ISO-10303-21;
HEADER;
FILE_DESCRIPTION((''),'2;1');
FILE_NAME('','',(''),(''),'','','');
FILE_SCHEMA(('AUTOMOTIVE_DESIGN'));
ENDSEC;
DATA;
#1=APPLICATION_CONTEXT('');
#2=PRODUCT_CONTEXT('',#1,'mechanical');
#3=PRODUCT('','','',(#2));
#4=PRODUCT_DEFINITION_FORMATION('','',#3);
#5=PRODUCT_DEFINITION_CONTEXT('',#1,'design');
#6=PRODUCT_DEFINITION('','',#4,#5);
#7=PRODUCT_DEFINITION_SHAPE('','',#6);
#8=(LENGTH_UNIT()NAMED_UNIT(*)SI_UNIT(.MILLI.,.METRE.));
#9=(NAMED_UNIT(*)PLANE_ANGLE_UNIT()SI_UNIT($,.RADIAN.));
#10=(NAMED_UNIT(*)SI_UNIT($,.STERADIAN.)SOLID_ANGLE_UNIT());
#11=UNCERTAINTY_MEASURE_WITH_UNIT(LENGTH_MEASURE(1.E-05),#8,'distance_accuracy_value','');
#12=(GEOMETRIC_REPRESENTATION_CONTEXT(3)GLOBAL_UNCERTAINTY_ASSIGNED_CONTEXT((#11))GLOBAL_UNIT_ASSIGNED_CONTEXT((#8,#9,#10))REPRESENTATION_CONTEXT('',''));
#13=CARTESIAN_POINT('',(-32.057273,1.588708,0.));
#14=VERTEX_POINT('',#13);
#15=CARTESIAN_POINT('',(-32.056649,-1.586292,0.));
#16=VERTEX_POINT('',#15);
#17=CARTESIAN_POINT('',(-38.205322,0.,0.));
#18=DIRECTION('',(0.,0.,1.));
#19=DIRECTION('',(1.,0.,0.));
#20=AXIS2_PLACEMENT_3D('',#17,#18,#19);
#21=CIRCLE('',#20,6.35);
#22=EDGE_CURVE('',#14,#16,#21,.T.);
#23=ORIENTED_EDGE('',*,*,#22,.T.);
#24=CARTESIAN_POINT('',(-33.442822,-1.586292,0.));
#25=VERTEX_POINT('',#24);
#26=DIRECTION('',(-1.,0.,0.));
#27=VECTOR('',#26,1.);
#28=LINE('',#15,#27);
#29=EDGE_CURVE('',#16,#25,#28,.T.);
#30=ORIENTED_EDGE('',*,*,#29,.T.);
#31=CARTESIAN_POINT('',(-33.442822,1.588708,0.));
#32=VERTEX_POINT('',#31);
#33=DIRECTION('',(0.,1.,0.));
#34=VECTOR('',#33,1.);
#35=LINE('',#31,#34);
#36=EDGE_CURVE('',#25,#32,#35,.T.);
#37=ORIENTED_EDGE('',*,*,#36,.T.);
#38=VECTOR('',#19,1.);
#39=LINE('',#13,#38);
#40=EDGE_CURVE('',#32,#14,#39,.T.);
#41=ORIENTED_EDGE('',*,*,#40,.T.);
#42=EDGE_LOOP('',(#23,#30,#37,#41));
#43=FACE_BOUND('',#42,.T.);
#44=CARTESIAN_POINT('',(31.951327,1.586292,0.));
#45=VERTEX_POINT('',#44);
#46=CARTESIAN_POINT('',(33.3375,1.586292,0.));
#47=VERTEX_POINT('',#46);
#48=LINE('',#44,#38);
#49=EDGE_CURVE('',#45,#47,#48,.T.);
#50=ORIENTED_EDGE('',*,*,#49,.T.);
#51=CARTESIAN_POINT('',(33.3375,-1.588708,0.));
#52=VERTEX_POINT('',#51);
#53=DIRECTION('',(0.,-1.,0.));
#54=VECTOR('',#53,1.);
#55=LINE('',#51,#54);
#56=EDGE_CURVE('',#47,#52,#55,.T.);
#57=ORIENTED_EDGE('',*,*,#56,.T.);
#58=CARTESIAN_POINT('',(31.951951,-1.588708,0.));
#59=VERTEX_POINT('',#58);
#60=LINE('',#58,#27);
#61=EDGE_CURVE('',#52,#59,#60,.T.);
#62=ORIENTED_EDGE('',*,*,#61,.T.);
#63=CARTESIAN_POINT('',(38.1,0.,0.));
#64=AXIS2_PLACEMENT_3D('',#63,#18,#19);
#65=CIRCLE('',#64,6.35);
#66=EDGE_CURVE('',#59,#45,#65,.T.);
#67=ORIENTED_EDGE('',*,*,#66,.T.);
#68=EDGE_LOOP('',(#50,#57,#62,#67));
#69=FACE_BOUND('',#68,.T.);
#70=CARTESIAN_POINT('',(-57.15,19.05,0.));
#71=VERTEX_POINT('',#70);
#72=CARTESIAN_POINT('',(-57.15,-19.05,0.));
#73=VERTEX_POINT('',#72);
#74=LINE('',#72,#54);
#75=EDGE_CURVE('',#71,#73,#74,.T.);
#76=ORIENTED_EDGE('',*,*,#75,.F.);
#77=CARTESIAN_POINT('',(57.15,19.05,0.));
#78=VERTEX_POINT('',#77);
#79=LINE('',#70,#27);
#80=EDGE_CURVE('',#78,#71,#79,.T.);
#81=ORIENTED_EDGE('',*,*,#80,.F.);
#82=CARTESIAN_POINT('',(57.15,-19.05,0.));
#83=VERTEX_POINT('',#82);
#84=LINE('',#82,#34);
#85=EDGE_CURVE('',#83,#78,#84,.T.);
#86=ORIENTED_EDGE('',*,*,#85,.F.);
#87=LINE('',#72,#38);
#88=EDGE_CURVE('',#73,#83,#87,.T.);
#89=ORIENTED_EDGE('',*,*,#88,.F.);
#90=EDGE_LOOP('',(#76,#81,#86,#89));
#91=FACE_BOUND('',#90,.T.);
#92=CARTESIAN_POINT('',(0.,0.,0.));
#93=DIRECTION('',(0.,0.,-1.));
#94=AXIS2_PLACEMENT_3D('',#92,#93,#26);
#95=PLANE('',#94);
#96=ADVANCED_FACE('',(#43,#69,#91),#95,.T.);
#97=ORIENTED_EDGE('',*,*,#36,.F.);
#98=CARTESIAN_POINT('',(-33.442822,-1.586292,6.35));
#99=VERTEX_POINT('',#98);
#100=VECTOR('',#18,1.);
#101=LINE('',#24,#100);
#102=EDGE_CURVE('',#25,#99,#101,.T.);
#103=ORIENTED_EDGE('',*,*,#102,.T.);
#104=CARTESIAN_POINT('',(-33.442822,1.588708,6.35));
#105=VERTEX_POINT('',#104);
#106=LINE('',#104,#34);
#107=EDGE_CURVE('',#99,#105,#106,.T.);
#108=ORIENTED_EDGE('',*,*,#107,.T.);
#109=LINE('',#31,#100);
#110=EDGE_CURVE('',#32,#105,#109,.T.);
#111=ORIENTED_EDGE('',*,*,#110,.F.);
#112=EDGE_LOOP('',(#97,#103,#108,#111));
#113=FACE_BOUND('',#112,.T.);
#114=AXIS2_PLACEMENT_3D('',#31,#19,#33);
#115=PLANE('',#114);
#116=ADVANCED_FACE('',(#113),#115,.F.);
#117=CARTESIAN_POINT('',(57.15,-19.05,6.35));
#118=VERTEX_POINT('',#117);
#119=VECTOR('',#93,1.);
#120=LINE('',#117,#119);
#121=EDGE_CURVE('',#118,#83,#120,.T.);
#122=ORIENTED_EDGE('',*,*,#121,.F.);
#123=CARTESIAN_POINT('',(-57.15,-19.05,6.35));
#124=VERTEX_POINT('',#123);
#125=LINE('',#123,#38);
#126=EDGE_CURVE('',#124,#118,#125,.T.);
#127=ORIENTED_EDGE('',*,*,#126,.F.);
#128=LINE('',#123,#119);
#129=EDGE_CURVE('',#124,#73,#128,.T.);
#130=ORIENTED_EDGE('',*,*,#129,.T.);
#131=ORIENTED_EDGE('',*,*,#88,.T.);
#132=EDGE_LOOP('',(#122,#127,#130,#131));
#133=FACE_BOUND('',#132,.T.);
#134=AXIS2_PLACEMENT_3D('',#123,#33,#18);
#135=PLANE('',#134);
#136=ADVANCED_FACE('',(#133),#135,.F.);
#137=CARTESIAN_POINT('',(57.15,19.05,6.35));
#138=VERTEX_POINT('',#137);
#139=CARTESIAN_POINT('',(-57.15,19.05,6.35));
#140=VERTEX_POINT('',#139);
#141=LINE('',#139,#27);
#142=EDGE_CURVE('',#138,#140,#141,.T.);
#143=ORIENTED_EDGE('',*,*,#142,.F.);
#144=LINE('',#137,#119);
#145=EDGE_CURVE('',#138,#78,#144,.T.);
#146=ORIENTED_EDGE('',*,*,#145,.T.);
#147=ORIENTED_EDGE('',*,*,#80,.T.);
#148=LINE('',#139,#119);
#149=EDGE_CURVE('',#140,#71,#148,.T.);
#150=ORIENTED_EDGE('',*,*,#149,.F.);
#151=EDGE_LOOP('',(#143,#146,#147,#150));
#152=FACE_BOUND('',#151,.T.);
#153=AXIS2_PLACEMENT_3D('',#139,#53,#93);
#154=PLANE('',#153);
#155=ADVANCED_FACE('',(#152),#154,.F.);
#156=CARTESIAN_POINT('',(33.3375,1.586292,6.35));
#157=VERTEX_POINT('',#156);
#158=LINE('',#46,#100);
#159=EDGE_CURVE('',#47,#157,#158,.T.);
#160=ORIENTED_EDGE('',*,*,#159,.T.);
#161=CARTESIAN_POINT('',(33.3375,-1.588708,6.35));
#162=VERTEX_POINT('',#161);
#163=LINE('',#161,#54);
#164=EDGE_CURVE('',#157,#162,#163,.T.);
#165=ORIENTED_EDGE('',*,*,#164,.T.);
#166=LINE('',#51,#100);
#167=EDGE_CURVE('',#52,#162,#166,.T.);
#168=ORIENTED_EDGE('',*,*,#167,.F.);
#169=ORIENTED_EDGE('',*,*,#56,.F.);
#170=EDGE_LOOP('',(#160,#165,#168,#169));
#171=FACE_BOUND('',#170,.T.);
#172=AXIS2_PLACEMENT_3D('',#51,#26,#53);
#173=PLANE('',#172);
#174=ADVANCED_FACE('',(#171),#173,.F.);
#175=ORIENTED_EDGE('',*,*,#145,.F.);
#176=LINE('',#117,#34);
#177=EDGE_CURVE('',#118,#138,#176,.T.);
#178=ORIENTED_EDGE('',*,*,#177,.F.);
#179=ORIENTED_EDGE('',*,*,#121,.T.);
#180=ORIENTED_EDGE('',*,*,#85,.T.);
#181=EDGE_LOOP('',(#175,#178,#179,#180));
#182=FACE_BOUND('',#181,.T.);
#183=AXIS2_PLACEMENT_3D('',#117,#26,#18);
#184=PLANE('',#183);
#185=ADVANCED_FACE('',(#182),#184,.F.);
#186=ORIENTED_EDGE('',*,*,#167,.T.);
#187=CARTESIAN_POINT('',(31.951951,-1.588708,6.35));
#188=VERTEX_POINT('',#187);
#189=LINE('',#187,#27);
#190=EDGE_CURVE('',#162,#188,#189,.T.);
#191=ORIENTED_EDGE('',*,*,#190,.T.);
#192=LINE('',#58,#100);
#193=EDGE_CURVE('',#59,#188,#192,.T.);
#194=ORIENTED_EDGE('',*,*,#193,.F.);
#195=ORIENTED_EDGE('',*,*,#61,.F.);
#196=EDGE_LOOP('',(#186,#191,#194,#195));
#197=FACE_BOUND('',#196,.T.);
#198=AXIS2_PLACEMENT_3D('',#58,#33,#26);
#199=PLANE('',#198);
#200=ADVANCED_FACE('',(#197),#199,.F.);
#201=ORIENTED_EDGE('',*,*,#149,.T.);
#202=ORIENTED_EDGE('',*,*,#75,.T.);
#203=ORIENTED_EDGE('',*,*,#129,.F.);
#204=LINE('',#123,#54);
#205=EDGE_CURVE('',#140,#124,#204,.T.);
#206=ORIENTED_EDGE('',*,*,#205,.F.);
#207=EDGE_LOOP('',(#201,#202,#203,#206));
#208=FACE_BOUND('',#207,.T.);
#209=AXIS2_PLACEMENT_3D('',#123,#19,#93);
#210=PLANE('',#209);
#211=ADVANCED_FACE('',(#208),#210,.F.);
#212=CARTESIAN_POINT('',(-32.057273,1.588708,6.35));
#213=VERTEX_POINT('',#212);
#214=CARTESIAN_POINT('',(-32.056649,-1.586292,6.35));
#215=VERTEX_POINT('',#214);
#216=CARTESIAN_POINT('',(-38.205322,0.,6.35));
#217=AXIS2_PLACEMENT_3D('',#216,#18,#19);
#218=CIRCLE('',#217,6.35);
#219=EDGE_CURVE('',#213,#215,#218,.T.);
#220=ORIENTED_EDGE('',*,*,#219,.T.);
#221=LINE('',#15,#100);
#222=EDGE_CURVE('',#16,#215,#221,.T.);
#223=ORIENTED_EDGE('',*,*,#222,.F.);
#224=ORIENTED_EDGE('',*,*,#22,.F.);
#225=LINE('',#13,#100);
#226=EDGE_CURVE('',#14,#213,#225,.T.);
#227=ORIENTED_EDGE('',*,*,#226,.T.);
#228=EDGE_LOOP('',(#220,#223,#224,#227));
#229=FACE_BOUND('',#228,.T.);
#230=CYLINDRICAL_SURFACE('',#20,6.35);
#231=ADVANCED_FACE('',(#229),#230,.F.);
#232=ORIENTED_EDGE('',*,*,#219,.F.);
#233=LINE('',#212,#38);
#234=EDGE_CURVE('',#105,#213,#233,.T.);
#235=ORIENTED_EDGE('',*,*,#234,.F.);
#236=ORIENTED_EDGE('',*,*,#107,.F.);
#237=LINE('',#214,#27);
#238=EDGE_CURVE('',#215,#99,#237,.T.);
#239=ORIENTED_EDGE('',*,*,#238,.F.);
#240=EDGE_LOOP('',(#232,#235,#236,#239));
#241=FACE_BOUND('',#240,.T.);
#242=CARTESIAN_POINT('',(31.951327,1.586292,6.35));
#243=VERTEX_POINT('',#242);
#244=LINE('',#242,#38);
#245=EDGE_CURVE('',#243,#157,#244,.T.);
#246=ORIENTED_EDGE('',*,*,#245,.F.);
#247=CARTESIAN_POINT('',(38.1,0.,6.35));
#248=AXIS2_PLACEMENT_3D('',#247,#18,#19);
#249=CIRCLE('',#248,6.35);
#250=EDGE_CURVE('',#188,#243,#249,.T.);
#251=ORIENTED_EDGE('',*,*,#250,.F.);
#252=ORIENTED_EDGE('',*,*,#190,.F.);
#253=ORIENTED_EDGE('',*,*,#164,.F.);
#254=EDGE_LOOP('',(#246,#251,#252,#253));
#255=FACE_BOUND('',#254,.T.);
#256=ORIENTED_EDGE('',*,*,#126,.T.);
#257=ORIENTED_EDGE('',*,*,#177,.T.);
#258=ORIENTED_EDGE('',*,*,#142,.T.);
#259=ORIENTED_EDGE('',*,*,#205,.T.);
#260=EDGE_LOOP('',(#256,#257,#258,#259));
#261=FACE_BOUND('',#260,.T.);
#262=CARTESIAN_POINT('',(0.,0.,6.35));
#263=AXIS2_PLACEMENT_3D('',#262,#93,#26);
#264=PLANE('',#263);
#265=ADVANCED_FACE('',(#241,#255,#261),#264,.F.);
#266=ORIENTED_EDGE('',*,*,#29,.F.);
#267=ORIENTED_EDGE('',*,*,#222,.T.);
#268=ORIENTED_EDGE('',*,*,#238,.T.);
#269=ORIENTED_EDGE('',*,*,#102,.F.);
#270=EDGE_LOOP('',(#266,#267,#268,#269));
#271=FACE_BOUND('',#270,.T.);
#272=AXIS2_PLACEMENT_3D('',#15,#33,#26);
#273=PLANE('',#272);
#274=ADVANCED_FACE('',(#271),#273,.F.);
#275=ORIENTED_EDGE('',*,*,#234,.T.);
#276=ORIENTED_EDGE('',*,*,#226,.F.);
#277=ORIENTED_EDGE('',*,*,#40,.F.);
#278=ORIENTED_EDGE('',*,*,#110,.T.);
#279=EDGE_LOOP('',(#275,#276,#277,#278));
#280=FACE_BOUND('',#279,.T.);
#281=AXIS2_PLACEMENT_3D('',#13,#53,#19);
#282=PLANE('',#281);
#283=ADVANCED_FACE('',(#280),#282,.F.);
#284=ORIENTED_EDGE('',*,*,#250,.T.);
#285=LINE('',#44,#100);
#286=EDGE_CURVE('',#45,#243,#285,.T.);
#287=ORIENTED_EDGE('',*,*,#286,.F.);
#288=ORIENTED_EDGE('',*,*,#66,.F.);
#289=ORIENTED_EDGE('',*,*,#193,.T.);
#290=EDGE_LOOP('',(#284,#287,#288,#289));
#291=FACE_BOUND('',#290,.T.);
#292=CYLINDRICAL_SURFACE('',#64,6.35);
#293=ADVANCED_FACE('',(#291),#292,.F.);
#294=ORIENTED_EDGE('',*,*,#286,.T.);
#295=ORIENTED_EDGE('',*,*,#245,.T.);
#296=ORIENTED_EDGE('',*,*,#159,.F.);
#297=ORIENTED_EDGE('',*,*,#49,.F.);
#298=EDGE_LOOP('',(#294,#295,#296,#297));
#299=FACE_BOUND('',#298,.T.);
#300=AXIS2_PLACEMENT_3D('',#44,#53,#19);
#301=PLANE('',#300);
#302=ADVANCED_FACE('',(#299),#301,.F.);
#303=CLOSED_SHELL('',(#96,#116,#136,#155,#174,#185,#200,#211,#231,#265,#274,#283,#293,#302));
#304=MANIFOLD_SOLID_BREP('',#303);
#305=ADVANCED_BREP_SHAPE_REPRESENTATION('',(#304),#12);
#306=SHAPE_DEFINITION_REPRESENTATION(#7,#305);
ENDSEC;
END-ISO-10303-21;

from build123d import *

# Parameters (mm, degrees)
SKETCH1_W           = 114.3
SKETCH1_H           = 38.1
BOSS_EXTRUDE1_DEPTH = 6.35
CUT_EXTRUDE1_DEPTH  = 61.57513929


with BuildPart() as part:
    # Sketch1 → Boss-Extrude1 (new body)
    with BuildSketch(Plane.XY):
        Rectangle(SKETCH1_W, SKETCH1_H)
    extrude(amount=BOSS_EXTRUDE1_DEPTH)

    # Sketch2 → Cut-Extrude1 (cut, through all)
    with BuildSketch(Plane.XY.offset(6.35)):
        with BuildLine():
            Line((31.95195085, -1.58870754), (33.3375, -1.58870754))
            Line((33.3375, -1.58870754), (33.3375, 1.58629246))
            Line((33.3375, 1.58629246), (31.951327279, 1.58629246))
            ThreePointArc((31.951327279, 1.58629246), (44.449999878, 0.001247142), (31.95195085, -1.58870754))
        make_face()
        with BuildLine():
            Line((-32.057272724, 1.58870754), (-33.442821874, 1.58870754))
            Line((-33.442821874, 1.58870754), (-33.442821874, -1.58629246))
            Line((-33.442821874, -1.58629246), (-32.056649153, -1.58629246))
            ThreePointArc((-32.056649153, -1.58629246), (-44.555321751, -0.001247142), (-32.057272724, 1.58870754))
        make_face()
    extrude(amount=-CUT_EXTRUDE1_DEPTH, mode=Mode.SUBTRACT)


solid = part.part
